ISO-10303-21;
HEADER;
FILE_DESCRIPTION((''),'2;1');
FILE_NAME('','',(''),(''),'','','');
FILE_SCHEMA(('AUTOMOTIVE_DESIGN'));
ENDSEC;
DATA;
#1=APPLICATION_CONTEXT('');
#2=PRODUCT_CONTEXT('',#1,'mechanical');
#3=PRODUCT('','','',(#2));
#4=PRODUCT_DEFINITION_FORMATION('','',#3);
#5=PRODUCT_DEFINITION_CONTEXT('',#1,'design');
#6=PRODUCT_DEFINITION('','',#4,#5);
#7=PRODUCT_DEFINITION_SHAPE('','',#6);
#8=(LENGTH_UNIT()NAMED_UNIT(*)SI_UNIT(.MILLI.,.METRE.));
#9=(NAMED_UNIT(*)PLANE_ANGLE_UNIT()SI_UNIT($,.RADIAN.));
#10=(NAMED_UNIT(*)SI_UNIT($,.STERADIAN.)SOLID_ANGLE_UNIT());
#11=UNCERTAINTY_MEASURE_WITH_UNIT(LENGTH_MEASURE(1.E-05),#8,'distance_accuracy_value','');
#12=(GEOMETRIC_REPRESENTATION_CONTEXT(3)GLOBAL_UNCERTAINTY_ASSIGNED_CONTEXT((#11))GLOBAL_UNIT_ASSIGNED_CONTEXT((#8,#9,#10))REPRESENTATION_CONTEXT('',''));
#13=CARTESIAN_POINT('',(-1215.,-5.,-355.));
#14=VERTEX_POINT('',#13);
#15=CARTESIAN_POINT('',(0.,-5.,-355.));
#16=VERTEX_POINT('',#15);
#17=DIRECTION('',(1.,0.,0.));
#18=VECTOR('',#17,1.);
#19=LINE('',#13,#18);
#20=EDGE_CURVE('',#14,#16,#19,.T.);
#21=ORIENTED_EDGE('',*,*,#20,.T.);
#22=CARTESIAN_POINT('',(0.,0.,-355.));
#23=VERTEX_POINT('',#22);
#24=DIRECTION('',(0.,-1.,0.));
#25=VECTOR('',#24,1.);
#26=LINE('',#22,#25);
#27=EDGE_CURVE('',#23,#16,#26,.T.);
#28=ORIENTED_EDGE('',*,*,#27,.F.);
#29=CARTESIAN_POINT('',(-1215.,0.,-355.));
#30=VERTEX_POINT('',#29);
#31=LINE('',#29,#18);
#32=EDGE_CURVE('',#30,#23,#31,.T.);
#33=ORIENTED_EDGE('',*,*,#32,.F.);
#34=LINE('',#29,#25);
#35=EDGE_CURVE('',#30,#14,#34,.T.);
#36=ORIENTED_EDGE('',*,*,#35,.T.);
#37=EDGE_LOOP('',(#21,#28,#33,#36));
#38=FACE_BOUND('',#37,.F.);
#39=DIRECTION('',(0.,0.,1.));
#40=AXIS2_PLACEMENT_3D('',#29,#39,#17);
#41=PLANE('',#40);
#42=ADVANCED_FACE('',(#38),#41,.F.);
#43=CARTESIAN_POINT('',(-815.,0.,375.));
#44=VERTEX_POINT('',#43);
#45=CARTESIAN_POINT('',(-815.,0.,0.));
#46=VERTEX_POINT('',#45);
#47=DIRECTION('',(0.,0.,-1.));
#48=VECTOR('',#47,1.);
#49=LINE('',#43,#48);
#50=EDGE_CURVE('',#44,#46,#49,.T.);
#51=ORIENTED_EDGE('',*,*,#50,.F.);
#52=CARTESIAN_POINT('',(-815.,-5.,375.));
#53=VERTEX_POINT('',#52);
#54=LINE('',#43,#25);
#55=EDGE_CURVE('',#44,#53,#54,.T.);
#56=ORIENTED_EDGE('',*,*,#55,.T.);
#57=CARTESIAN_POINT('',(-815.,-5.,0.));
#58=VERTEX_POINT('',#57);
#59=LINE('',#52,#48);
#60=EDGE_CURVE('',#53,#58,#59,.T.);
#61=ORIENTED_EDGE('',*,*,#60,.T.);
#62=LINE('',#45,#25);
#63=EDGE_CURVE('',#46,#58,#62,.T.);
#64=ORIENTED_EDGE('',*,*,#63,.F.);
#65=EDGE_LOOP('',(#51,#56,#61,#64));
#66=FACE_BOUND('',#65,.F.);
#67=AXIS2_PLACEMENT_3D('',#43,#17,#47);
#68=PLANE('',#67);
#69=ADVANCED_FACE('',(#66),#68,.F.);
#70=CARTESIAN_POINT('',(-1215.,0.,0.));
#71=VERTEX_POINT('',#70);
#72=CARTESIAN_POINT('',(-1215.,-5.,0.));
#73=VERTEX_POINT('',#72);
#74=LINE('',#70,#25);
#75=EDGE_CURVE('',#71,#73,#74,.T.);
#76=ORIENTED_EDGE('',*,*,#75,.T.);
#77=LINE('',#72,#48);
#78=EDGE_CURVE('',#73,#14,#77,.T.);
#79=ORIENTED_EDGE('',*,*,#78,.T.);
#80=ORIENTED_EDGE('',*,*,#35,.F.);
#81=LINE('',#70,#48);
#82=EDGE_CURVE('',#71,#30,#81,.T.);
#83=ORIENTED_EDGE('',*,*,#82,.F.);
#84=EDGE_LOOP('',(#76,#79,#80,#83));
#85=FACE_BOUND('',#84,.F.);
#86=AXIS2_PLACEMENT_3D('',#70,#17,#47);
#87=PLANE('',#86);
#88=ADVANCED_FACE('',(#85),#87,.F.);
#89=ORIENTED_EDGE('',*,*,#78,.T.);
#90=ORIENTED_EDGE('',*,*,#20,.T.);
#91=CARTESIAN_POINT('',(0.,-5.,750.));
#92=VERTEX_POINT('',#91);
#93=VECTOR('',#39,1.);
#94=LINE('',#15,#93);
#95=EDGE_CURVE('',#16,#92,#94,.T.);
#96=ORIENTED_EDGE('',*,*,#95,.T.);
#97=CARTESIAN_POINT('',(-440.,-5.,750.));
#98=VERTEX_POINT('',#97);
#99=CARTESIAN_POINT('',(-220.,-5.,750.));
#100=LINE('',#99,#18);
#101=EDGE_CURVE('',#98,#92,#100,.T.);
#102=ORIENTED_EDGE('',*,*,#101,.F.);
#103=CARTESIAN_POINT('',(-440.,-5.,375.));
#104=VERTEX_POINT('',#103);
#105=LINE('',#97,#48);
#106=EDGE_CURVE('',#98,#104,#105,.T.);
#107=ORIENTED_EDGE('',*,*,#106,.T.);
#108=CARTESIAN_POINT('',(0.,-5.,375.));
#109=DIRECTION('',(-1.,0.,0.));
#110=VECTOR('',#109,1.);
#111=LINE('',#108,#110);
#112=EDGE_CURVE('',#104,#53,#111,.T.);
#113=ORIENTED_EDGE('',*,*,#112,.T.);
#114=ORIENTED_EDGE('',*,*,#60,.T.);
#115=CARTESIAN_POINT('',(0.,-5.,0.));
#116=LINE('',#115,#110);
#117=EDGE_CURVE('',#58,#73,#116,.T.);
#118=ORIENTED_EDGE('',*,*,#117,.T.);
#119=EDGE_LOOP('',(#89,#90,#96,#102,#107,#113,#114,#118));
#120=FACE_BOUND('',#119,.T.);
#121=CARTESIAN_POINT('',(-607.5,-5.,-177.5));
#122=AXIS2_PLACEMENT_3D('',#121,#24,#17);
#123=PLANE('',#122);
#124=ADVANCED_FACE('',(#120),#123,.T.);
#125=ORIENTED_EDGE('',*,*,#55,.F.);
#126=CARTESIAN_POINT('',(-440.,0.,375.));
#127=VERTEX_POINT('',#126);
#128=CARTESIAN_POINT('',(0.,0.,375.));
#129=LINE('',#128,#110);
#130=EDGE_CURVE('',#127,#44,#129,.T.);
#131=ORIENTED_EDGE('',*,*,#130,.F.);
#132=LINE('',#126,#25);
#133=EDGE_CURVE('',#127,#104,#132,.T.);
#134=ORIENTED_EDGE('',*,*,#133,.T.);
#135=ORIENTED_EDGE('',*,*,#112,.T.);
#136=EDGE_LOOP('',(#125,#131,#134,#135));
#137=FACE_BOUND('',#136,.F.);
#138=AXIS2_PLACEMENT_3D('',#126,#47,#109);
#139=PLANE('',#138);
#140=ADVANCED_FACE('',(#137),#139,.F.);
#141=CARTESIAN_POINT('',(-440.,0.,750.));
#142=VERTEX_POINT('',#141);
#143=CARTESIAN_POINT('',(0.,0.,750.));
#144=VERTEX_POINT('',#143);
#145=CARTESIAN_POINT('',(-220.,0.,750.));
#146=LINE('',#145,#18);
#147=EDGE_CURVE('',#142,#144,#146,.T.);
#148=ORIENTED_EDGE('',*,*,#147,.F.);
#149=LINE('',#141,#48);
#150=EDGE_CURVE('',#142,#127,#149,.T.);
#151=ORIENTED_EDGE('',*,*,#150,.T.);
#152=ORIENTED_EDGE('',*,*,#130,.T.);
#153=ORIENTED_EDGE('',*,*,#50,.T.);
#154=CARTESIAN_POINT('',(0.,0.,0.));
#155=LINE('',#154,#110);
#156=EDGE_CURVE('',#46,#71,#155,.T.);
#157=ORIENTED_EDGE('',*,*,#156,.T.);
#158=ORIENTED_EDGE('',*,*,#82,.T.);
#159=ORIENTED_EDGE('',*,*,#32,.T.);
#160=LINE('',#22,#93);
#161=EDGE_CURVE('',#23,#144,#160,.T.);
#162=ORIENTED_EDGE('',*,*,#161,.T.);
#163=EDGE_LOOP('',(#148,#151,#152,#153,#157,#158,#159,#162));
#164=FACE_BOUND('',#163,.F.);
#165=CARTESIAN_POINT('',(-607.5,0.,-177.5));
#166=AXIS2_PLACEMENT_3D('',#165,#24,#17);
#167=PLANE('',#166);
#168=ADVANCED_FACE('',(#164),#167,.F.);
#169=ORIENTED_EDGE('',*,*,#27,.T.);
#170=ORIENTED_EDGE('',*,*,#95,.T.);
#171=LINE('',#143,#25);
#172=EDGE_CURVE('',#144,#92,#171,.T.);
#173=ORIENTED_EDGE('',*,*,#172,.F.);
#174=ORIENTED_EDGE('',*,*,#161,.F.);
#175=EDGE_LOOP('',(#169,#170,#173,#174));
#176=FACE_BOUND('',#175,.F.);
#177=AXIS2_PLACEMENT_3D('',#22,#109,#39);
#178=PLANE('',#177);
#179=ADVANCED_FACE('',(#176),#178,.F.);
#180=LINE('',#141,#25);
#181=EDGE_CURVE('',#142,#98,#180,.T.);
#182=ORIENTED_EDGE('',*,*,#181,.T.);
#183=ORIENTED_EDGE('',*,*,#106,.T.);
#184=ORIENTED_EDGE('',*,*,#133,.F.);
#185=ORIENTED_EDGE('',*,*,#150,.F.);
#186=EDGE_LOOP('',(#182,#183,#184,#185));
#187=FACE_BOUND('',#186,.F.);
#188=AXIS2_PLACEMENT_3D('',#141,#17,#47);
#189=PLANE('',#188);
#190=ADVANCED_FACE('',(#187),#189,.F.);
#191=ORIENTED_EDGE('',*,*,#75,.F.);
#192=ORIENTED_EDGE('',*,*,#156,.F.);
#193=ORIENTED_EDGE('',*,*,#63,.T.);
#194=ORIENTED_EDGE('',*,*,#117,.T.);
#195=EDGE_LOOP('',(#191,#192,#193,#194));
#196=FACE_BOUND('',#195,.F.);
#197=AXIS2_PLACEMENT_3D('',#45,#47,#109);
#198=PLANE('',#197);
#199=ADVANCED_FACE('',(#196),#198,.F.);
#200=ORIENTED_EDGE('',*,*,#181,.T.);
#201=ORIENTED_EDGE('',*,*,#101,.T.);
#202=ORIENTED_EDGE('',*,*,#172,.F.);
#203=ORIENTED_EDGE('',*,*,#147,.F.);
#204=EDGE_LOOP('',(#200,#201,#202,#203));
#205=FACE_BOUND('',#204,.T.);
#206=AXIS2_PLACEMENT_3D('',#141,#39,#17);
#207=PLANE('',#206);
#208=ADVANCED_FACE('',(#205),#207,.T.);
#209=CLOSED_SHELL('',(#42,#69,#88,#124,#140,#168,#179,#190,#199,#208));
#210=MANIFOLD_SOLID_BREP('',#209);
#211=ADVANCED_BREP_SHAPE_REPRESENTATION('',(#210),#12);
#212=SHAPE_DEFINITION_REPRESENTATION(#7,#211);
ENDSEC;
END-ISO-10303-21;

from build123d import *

# Parameters (mm, degrees)
F0_W     = 375
F0_H     = 355
F0_W_2   = 440
F0_H_2   = 20
F1_DEPTH = 5


with BuildPart() as f1:
    # F0 (on Front) → F1 (new body)
    with BuildSketch(Plane.XZ):
        Polygon((-815, 0), (-1215, 0), (-1215, -355), (0, -355), (0, 0), (-440, 0), align=None)
        with Locations((-627.5, 197.5)):
            Rectangle(F0_W, F0_H)
        with Locations((-220, 197.5)):
            Rectangle(F0_W_2, F0_H)
        with Locations((-220, 572.5)):
            Rectangle(F0_W_2, F0_H)
        with Locations((-220, 385)):
            Rectangle(F0_W_2, F0_H_2)
        with Locations((-220, 10)):
            Rectangle(F0_W_2, F0_H_2)
        with Locations((-627.5, 10)):
            Rectangle(F0_W, F0_H_2)
    extrude(amount=F1_DEPTH)


solid = f1.part
